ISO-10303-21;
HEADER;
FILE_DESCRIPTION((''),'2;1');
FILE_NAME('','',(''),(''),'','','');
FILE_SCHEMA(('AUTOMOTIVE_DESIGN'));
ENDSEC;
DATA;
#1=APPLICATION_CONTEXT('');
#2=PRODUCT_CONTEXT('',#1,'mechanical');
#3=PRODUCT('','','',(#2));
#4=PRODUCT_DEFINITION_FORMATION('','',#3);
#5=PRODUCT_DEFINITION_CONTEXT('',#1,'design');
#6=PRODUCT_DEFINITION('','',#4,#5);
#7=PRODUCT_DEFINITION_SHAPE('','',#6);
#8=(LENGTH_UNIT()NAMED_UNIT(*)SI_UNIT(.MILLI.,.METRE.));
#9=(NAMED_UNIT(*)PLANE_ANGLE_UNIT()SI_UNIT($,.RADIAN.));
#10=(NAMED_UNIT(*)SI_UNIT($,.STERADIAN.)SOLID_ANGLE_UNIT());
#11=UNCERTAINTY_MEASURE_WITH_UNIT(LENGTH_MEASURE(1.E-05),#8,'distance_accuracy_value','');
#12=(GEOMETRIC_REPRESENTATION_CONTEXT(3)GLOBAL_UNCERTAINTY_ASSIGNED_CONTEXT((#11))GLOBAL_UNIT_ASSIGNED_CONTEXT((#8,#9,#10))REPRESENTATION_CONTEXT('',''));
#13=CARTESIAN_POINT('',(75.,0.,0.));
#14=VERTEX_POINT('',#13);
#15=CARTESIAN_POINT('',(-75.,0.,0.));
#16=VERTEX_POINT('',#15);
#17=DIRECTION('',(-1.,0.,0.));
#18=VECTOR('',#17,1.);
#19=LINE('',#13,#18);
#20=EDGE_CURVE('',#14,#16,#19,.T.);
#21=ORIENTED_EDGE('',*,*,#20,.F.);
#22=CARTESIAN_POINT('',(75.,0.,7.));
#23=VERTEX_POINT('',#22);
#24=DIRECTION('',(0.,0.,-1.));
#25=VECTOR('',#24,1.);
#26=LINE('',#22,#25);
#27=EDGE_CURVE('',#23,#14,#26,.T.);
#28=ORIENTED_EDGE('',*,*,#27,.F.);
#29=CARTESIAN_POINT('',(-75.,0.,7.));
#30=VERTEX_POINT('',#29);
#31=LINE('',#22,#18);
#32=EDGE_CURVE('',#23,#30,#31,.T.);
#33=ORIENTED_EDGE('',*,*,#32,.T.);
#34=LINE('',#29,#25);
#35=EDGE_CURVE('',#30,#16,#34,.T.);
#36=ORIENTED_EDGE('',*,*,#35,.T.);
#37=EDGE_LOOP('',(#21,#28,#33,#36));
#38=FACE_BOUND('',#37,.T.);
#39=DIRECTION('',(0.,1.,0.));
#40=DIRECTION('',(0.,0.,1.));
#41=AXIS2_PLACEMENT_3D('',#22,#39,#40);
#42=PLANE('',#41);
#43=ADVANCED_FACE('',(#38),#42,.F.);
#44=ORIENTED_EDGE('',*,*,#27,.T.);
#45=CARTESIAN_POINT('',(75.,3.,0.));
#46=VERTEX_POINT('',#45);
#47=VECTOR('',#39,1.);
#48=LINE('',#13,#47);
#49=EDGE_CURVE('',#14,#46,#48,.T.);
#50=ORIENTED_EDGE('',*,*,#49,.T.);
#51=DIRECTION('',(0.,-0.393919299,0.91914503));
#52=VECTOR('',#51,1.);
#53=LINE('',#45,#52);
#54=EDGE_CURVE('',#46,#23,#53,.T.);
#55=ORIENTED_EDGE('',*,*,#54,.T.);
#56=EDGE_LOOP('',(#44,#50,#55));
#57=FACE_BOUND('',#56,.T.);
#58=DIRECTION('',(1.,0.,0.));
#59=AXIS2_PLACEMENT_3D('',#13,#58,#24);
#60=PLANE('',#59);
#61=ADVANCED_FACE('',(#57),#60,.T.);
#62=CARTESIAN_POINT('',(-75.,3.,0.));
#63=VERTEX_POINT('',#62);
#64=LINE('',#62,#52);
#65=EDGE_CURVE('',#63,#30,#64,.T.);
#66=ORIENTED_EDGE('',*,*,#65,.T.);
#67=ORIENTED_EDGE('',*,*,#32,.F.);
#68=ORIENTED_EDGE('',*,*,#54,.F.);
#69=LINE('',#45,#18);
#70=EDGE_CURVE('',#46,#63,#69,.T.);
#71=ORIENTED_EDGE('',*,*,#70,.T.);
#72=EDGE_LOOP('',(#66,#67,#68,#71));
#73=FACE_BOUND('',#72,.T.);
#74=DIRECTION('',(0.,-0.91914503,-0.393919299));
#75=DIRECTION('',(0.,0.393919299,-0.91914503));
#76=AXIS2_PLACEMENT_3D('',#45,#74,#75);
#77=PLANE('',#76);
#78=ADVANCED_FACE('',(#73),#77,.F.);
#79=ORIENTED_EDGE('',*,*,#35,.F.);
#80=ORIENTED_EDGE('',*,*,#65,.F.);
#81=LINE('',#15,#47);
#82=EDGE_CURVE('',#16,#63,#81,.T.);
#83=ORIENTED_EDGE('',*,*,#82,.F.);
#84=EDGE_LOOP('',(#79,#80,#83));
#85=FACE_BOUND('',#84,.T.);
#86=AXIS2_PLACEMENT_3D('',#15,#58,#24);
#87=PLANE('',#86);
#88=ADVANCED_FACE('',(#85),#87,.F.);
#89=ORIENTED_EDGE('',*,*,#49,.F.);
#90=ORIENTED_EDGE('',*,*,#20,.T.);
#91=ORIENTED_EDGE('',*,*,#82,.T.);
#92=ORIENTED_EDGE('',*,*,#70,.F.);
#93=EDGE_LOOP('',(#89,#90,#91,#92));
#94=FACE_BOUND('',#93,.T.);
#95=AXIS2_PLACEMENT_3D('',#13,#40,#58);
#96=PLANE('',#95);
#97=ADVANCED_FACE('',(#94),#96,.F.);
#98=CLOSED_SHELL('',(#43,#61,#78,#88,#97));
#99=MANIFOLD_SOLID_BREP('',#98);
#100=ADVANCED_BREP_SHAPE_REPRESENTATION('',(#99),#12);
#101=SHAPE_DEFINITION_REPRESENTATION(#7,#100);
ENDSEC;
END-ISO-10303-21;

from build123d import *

# Parameters (mm, degrees)
EXTRUDE_1_DEPTH = 75


with BuildPart() as part:
    # 스케치1 → 보스-돌출1 (new, symmetric)
    with BuildSketch(Plane(origin=(0, 0, 0), x_dir=(0, 0, -1), z_dir=(1, 0, 0))):
        Polygon((0, 0), (0, 3), (-7, 0), align=None)
    extrude(amount=EXTRUDE_1_DEPTH, both=True)


solid = part.part
